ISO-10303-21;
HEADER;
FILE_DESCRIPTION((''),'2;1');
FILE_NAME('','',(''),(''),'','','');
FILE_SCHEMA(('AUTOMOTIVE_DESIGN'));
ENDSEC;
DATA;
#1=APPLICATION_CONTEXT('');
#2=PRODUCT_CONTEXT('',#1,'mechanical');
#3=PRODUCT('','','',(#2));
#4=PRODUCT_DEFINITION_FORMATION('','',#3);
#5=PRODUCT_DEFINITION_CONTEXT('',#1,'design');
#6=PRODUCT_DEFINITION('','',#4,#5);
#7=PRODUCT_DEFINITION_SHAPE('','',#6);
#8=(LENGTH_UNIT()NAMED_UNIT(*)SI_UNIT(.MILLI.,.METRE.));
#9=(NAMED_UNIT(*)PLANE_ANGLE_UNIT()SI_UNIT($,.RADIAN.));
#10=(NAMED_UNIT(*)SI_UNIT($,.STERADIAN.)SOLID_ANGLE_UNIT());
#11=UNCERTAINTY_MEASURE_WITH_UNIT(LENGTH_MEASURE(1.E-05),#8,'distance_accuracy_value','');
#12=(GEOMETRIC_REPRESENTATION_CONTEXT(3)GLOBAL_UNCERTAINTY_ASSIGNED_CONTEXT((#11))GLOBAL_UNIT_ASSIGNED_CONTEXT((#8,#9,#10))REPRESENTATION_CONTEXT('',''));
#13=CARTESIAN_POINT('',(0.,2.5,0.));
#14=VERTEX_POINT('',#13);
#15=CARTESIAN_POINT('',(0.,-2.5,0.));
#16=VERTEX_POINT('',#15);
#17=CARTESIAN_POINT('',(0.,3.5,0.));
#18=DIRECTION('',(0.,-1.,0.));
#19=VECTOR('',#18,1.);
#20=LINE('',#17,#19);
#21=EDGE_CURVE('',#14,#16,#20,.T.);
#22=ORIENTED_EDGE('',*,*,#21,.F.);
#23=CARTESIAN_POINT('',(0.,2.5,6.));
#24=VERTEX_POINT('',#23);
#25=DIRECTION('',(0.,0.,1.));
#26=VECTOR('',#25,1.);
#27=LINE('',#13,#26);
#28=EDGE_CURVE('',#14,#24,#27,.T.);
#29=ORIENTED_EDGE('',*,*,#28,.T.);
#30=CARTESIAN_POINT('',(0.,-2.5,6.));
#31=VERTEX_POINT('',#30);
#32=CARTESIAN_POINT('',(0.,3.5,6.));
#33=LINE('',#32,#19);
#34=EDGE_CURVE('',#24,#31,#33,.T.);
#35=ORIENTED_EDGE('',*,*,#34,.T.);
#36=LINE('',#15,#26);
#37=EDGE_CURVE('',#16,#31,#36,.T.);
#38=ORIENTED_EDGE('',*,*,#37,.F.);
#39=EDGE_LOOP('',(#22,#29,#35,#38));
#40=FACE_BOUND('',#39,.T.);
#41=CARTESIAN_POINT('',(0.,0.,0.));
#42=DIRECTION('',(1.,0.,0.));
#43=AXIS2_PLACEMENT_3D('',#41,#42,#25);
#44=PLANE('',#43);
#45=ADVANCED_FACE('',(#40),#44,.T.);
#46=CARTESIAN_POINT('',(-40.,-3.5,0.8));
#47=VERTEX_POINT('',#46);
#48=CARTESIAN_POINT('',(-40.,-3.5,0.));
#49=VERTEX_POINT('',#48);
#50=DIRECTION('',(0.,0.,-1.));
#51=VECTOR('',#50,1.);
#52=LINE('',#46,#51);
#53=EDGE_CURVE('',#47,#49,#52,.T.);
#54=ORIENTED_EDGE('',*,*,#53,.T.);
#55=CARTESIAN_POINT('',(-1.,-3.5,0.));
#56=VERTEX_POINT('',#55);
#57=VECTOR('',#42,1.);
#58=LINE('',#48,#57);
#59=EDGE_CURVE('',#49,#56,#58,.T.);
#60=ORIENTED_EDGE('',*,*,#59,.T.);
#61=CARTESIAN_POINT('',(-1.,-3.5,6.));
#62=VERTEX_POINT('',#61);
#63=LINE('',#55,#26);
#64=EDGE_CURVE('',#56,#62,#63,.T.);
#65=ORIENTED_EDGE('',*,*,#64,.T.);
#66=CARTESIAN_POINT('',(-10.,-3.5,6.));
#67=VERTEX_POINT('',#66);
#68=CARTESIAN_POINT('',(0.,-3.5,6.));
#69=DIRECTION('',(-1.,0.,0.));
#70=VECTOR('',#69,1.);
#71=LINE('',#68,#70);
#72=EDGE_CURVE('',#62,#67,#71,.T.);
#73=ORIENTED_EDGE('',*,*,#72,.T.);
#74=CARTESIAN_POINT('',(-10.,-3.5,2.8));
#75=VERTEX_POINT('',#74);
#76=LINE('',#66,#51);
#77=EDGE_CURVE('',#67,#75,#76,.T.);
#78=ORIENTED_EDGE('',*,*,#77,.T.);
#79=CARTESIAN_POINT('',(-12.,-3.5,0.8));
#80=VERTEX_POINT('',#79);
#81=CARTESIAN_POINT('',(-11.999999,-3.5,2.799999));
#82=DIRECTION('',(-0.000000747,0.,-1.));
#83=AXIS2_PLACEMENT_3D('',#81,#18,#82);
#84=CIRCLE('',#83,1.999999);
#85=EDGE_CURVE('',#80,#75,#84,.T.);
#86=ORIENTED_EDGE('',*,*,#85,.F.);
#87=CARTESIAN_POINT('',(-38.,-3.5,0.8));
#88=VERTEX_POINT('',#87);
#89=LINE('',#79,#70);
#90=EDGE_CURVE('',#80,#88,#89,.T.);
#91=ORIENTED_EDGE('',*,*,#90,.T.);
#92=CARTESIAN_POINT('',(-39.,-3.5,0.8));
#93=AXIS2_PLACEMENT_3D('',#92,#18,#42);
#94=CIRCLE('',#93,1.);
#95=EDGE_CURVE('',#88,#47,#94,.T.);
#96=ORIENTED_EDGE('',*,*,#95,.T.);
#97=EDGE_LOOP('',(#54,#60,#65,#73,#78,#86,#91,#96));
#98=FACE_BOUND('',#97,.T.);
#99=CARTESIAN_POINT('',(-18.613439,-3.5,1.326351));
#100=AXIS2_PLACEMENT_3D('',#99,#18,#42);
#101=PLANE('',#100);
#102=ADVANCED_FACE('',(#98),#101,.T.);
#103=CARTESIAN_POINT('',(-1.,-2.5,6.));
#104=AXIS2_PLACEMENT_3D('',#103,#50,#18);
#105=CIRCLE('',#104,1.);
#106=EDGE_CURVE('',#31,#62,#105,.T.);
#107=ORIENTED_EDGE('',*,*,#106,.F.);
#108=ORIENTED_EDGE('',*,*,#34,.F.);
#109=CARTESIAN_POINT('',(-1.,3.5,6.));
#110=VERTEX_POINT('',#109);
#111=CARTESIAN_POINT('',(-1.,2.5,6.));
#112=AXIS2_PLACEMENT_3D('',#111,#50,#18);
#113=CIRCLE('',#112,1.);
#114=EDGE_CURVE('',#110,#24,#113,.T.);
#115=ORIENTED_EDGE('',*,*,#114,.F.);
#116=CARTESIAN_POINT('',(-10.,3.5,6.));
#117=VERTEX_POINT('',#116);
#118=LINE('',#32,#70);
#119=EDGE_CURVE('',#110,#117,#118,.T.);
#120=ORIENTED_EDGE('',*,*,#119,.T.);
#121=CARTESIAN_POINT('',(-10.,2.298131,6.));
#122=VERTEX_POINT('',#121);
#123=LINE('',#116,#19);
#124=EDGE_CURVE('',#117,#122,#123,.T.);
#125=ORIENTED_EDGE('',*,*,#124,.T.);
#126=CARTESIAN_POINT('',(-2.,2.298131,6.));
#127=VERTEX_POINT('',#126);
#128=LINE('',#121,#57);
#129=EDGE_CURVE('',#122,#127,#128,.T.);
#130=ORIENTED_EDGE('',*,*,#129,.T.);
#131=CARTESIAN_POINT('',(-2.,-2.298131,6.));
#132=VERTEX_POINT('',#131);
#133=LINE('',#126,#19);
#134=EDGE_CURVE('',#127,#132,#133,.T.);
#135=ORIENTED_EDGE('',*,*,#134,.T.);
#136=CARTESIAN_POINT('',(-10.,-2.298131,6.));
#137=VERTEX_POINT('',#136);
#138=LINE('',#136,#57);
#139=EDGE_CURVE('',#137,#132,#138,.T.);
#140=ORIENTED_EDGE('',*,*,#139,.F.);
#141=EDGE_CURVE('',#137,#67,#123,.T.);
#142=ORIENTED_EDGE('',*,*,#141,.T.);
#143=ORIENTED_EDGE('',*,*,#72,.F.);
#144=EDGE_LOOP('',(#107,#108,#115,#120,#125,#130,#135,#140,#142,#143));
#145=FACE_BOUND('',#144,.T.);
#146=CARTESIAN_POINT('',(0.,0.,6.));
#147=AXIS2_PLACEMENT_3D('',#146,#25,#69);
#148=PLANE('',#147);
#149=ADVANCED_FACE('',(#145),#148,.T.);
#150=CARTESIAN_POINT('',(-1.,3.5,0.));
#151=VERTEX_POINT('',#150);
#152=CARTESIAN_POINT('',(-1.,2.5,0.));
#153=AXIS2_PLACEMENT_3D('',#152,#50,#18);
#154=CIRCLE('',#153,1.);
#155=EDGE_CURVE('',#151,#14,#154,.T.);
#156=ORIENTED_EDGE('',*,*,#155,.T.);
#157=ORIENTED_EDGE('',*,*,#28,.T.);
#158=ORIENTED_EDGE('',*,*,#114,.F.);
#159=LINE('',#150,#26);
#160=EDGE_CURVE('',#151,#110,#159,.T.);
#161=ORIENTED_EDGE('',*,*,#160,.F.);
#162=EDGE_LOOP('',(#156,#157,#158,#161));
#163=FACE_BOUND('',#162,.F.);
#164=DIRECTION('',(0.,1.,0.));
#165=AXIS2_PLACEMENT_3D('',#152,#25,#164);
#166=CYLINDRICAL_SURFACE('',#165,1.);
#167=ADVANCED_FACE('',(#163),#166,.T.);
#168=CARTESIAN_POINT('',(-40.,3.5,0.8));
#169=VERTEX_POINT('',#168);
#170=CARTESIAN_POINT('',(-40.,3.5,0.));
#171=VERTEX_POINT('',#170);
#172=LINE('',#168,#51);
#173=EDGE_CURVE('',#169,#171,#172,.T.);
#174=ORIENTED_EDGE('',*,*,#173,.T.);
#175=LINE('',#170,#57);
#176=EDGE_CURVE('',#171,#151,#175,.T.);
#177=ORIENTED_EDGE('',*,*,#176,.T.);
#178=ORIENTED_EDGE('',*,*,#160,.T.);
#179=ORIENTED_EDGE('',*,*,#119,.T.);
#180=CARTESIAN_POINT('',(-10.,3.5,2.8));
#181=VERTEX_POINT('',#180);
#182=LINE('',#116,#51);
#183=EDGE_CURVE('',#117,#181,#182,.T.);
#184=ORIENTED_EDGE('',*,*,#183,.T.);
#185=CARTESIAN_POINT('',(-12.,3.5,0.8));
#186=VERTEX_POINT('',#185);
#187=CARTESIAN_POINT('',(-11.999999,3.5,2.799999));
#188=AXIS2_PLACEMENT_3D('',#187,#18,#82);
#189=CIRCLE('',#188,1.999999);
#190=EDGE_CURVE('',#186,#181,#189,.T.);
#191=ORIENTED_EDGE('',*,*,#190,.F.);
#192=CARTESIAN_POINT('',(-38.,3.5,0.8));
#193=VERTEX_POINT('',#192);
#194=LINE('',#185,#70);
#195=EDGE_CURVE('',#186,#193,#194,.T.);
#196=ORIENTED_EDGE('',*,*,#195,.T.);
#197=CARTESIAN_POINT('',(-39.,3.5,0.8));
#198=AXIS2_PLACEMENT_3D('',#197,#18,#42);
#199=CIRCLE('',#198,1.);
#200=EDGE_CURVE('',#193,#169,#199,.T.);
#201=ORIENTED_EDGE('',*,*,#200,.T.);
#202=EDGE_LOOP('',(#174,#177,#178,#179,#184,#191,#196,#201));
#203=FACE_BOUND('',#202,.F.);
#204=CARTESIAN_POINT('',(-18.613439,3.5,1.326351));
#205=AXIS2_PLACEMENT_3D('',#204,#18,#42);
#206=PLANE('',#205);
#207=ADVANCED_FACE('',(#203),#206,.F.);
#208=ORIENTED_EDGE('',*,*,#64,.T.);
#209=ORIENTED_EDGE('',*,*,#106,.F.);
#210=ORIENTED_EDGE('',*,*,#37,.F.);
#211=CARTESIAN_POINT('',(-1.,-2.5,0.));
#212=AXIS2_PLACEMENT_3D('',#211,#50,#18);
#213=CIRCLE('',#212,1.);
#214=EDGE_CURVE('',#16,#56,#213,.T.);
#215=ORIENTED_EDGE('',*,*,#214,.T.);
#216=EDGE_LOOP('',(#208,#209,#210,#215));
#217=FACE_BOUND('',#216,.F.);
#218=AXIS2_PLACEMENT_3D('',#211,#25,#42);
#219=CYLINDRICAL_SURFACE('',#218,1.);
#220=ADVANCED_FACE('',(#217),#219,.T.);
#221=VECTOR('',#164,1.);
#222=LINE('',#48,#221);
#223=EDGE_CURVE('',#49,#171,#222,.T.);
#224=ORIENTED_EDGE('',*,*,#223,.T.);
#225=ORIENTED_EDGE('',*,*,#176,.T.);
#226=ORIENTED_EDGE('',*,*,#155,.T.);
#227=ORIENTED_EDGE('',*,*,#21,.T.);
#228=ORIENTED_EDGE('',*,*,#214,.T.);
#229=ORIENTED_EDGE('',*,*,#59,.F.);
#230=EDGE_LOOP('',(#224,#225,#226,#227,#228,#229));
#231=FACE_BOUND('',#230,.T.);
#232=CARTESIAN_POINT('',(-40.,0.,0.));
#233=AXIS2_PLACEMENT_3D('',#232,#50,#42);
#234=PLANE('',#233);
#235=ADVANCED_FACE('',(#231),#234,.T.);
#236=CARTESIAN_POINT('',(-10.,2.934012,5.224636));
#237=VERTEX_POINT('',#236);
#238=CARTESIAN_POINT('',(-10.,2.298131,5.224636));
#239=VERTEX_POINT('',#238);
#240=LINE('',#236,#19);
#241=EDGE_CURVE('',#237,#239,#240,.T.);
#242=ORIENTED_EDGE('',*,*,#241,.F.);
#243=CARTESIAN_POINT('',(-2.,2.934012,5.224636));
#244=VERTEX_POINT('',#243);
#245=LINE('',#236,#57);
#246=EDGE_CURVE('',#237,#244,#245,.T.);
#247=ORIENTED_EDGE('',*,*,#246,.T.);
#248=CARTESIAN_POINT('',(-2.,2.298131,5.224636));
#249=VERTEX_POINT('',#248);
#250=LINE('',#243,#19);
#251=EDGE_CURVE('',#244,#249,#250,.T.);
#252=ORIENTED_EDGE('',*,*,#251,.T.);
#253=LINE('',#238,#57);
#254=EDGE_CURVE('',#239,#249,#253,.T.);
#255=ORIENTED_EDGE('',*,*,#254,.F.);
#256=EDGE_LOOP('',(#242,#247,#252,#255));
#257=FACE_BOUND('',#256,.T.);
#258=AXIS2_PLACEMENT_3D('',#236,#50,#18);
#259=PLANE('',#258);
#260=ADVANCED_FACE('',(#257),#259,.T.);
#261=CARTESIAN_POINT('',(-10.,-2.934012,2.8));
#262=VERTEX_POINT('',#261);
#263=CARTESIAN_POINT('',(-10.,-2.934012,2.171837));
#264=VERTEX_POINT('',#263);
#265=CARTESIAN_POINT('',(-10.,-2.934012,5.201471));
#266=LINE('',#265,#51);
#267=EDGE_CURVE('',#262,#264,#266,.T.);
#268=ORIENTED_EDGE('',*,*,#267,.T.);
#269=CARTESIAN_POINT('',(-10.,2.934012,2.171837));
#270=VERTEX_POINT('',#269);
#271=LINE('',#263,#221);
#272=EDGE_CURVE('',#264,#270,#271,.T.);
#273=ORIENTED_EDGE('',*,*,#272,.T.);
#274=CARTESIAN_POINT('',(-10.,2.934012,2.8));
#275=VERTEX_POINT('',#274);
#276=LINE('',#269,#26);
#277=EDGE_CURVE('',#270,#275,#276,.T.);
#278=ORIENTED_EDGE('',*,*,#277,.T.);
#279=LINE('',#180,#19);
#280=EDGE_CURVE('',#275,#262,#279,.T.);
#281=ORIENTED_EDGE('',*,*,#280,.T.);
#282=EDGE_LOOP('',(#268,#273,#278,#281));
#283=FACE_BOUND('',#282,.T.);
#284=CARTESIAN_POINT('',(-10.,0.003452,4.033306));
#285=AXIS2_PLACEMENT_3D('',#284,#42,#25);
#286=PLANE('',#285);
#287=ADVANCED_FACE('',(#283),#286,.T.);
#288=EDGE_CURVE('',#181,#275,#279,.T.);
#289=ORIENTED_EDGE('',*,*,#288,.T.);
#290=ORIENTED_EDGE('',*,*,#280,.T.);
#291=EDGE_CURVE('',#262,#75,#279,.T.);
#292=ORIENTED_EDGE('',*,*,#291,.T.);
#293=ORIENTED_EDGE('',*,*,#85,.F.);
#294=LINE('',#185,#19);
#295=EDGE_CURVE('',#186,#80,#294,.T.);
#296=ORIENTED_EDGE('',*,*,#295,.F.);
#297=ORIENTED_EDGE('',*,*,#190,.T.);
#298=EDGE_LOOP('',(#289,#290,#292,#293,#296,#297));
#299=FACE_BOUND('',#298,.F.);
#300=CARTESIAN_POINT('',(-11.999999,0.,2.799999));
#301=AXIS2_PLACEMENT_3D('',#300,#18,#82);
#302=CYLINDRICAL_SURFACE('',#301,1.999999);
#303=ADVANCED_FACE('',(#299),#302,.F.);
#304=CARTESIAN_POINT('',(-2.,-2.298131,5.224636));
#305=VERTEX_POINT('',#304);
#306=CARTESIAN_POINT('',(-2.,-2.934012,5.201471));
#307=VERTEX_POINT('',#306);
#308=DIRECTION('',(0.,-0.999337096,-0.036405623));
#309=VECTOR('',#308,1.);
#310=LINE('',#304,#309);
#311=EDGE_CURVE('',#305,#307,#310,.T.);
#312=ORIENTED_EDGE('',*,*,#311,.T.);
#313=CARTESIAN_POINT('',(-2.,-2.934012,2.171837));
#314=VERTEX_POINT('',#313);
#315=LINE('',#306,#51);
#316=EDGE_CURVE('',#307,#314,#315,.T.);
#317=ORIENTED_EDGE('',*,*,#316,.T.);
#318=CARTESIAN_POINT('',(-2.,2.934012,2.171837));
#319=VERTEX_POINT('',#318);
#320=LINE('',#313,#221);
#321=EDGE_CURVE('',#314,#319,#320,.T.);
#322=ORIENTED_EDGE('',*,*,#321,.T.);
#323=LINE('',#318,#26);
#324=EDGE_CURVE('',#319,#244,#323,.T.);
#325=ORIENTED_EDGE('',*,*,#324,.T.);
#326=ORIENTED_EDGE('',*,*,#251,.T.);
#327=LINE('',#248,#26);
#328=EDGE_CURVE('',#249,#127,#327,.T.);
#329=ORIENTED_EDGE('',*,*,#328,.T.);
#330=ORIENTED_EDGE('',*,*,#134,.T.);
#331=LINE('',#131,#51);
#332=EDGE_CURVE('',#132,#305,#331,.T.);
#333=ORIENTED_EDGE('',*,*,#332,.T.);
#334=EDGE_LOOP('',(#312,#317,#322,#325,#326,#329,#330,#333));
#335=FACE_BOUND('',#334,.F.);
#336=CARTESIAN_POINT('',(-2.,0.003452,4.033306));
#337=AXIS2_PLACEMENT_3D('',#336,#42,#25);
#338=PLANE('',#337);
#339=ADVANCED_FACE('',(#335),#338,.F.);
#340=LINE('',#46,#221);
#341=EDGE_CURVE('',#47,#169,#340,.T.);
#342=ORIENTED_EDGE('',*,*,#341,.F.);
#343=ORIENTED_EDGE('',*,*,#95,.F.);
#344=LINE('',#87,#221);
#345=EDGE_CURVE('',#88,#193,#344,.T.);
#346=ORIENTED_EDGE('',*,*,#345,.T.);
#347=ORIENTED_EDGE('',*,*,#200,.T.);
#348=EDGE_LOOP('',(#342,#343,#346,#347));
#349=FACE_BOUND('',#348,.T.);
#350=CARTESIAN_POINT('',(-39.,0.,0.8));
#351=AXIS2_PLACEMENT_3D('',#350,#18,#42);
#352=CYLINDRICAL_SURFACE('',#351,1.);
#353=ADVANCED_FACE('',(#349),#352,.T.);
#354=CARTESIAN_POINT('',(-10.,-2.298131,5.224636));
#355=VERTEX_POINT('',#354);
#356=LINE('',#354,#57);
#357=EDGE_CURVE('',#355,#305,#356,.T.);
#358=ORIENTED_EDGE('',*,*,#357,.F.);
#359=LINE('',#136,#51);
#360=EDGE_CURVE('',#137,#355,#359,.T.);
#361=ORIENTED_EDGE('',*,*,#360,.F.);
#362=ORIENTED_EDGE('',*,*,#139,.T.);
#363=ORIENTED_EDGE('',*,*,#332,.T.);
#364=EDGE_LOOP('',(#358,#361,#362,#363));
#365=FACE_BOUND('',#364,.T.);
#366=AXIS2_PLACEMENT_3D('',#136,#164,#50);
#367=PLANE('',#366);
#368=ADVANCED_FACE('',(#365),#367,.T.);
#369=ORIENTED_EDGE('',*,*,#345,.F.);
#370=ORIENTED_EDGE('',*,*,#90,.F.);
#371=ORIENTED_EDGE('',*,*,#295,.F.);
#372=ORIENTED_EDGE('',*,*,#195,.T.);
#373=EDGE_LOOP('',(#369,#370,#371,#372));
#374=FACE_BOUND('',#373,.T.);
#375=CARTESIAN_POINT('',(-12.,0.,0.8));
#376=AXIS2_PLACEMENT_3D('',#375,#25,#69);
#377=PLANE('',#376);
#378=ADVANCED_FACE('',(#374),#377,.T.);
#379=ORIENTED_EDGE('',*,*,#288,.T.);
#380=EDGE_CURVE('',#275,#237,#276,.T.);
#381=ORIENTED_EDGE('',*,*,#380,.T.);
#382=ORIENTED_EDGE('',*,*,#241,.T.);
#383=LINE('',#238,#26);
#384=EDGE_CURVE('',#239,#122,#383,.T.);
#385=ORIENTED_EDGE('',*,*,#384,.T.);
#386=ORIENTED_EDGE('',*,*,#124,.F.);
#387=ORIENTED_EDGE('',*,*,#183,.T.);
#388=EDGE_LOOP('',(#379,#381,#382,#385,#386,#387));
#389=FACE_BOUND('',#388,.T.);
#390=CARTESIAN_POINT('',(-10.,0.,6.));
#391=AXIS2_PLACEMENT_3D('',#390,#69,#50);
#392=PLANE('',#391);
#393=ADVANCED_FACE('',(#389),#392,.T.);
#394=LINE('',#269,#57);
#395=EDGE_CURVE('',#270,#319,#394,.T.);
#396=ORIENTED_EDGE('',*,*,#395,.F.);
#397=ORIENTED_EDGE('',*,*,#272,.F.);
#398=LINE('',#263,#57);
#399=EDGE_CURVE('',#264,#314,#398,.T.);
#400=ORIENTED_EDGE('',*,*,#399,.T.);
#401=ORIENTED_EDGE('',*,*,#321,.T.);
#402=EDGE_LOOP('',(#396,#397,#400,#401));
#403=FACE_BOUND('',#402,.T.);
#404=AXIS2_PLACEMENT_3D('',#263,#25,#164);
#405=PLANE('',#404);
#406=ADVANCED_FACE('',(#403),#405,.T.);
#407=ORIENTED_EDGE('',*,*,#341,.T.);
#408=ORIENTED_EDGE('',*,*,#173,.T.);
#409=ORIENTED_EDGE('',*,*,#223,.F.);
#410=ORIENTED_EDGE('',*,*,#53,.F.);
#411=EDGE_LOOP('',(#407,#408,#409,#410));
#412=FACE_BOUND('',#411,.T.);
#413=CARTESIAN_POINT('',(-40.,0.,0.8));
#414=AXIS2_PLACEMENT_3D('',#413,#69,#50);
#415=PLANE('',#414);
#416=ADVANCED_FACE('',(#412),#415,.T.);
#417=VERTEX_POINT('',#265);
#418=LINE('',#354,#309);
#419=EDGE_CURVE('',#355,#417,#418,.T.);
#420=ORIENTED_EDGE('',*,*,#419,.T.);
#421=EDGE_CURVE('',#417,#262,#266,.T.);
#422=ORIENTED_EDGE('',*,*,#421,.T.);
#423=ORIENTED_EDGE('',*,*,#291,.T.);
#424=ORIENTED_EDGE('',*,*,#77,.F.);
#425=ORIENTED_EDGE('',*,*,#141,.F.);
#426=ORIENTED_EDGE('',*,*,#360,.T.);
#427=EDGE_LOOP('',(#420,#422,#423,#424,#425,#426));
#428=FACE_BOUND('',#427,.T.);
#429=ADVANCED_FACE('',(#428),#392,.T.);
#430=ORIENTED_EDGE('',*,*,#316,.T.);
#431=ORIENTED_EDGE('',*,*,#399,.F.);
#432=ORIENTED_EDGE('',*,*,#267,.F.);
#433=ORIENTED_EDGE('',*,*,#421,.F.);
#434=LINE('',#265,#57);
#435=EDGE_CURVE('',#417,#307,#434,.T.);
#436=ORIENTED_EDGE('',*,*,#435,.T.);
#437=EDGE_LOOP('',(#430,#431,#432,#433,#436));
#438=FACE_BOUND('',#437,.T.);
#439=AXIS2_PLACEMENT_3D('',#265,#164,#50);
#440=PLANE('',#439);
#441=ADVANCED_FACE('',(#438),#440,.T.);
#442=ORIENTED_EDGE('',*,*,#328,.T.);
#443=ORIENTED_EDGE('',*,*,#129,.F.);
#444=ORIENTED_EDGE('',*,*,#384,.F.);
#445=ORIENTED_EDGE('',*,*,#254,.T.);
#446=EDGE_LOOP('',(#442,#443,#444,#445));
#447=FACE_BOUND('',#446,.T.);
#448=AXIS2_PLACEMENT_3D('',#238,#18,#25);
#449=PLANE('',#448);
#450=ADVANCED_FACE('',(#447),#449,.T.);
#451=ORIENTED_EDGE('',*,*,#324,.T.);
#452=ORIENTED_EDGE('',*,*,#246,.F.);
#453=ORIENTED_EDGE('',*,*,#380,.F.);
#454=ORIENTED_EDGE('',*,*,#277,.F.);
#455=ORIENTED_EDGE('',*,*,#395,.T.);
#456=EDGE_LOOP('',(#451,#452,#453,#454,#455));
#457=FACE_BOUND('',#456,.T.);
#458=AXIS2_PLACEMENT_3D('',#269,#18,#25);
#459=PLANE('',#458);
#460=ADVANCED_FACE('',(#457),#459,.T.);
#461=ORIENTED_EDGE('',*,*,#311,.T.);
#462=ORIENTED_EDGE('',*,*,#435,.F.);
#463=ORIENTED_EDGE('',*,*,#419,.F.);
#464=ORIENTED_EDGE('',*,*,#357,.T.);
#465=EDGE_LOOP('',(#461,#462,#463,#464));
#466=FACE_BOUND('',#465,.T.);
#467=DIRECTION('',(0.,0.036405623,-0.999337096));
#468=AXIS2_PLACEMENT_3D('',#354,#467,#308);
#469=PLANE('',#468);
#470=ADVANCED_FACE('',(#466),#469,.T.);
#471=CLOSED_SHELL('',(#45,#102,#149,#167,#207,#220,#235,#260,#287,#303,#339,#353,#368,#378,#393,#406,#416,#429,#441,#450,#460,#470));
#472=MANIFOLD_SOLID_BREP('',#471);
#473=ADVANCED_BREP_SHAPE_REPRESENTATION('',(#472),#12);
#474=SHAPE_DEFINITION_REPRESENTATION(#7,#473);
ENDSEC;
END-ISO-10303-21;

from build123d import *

# Parameters (mm, degrees)
PAD_DEPTH    = 3.5
POCKET_DEPTH = 8
FILLET_R     = 1


with BuildPart() as part:
    # Sketch → Pad (new body, symmetric)
    with BuildSketch(Plane.XZ):
        with BuildLine():
            Line((-40, 0), (0, 0))
            Line((0, 0), (0, 6))
            Line((0, 6), (-10, 6))
            Line((-10, 6), (-10, 2.8))
            ThreePointArc((-12, 0.8), (-10.585786, 1.385786), (-10, 2.8))
            Line((-12, 0.8), (-38, 0.8))
            ThreePointArc((-38, 0.8), (-39, 1.8), (-40, 0.8))
            Line((-40, 0.8), (-40, 0))
        make_face()
    extrude(amount=PAD_DEPTH, both=True)

    # Sketch001 → Pocket (cut)
    with BuildSketch(Plane(origin=(-10, 0, 0), x_dir=(0, 0, -1), z_dir=(-1, 0, 0))):
        Polygon((-6, -2.298131), (-6, 2.298131), (-5.224636, 2.298131), (-5.201471, 2.934012), (-2.171837, 2.934012), (-2.171837, -2.934012), (-5.224636, -2.934012), (-5.224636, -2.298131), align=None)
    extrude(amount=-POCKET_DEPTH, mode=Mode.SUBTRACT)

    # Fillet
    fillet_edges = [part.edges().sort_by_distance(p)[0] for p in [
        (0, -3.5, 3),
        (0, 3.5, 3),
    ]]
    fillet(fillet_edges, radius=FILLET_R)


solid = part.part
